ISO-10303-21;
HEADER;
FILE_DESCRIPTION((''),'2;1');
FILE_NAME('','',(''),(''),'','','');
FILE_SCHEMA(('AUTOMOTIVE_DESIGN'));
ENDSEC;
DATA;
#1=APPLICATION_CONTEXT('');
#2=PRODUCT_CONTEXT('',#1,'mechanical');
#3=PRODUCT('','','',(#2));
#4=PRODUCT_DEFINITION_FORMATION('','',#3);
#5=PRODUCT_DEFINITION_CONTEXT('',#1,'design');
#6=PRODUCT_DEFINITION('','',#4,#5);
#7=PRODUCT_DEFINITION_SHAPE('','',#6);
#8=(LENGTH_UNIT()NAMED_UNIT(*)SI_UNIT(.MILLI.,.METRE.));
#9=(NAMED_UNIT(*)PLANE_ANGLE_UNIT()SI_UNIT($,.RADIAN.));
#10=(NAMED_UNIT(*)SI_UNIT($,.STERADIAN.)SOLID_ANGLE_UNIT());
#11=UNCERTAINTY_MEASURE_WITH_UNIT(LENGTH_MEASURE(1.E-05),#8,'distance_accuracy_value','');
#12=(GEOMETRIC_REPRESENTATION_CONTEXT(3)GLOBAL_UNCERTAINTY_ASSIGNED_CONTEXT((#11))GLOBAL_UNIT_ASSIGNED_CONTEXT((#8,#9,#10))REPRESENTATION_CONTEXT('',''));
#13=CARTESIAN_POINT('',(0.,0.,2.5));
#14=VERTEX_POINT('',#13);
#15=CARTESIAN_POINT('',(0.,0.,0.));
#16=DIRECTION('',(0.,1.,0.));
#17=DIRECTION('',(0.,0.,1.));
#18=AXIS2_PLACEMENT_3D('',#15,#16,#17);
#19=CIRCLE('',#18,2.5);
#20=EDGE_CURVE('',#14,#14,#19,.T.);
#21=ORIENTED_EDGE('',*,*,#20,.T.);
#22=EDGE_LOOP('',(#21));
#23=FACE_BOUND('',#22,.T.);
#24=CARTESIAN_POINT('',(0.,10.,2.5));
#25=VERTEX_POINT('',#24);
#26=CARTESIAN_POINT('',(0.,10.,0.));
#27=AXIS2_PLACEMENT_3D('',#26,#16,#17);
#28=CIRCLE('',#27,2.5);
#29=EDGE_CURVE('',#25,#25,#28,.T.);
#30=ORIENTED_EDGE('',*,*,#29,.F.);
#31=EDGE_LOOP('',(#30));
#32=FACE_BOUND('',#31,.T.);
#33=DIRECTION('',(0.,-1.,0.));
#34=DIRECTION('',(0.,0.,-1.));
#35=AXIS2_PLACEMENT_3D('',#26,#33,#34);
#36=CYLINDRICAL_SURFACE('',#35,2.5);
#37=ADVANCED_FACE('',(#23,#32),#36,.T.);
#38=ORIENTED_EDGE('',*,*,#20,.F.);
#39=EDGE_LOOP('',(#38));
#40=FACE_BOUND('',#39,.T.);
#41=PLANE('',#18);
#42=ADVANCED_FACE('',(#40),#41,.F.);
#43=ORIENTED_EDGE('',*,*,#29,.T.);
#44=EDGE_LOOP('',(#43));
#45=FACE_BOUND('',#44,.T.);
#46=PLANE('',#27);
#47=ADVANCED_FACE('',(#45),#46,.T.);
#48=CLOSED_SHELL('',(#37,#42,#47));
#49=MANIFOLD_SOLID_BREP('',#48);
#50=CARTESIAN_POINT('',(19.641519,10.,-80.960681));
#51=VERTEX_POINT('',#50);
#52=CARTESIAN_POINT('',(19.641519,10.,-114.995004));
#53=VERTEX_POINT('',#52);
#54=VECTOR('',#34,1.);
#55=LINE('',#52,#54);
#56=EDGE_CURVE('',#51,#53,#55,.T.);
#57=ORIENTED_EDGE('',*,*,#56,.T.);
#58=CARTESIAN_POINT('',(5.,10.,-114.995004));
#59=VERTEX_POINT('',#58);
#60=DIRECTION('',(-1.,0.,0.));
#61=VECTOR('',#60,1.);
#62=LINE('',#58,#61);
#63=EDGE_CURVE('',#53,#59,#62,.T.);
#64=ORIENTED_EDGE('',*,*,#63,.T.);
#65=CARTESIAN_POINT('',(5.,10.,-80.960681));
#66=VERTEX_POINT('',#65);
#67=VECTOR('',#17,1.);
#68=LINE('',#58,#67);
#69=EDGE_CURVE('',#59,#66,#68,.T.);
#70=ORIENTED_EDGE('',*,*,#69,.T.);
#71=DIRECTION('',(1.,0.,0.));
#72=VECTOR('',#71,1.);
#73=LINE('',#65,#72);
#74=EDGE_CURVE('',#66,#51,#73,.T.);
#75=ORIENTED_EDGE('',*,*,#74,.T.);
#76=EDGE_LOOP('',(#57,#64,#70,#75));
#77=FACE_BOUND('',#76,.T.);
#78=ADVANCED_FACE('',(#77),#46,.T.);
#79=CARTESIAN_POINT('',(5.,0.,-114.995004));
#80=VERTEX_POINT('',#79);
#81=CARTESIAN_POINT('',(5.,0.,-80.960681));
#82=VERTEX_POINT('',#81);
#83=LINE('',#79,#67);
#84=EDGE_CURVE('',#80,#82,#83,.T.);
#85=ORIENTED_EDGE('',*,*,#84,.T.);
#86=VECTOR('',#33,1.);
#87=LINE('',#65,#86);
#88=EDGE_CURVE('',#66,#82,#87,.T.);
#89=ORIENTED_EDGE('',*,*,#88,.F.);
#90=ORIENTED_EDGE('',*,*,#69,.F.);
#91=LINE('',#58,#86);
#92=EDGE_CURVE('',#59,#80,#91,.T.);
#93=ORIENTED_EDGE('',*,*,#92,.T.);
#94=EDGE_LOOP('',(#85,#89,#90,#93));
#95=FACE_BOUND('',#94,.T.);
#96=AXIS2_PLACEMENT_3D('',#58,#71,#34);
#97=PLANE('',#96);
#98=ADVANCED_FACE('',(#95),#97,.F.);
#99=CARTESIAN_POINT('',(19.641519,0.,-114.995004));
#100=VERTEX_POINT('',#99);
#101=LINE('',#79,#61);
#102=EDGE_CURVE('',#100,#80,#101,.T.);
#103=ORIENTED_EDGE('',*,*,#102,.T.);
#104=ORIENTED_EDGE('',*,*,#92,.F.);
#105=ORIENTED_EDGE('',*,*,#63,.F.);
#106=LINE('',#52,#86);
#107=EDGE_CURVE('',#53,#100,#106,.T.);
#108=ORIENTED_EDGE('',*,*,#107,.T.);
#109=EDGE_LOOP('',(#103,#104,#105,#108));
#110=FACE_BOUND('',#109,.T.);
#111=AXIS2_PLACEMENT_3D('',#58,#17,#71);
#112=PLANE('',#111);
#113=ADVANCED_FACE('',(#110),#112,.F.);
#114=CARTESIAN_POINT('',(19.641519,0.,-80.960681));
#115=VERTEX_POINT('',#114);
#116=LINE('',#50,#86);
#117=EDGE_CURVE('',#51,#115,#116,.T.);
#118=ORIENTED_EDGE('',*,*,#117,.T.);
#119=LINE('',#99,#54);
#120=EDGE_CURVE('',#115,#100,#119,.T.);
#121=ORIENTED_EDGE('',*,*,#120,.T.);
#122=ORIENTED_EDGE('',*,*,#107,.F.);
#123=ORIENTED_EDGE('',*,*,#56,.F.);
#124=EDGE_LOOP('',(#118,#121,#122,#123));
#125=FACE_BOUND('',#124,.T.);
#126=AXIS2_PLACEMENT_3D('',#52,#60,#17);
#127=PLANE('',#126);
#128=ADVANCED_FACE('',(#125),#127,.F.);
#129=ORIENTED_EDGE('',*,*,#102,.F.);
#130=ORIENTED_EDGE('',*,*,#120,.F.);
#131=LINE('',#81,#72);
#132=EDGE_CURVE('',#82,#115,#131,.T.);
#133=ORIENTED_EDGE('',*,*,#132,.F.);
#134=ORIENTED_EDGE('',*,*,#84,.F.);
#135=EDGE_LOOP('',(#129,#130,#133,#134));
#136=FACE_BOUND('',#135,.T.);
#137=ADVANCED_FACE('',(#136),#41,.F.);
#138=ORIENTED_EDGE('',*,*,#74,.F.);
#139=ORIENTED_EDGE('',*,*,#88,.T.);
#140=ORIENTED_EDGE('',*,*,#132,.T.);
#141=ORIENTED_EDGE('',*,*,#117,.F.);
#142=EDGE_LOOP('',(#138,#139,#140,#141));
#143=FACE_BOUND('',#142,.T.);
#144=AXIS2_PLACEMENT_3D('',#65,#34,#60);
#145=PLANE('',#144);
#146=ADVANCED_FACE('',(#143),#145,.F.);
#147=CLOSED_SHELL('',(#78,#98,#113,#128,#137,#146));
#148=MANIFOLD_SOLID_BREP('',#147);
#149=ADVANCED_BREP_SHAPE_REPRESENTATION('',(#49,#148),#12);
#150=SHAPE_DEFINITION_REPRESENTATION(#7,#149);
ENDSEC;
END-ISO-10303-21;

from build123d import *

# Parameters (mm, degrees)
CROQUIS1_R              = 2.5
SALIENTE_EXTRUIR1_DEPTH = 10
CROQUIS2_W              = 14.641519207
CROQUIS2_H              = 34.034323056
SALIENTE_EXTRUIR2_DEPTH = 10


with BuildPart() as part:
    # Croquis1 → Saliente-Extruir1 (new body)
    with BuildSketch(Plane(origin=(0, 0, 0), x_dir=(1, 0, 0), z_dir=(0, 1, 0))):
        with Locations(Location((0, 0, 0), (0, 0, 270))):
            Circle(CROQUIS1_R)
    extrude(amount=SALIENTE_EXTRUIR1_DEPTH)


with BuildPart() as body_2:
    # Croquis2 → Saliente-Extruir2 (new body)
    with BuildSketch(Plane(origin=(0, 0, 0), x_dir=(1, 0, 0), z_dir=(0, 1, 0))):
        with Locations((12.320759604, 97.977842763)):
            Rectangle(CROQUIS2_W, CROQUIS2_H)
    extrude(amount=SALIENTE_EXTRUIR2_DEPTH)


solid = Compound([part.part, body_2.part])
